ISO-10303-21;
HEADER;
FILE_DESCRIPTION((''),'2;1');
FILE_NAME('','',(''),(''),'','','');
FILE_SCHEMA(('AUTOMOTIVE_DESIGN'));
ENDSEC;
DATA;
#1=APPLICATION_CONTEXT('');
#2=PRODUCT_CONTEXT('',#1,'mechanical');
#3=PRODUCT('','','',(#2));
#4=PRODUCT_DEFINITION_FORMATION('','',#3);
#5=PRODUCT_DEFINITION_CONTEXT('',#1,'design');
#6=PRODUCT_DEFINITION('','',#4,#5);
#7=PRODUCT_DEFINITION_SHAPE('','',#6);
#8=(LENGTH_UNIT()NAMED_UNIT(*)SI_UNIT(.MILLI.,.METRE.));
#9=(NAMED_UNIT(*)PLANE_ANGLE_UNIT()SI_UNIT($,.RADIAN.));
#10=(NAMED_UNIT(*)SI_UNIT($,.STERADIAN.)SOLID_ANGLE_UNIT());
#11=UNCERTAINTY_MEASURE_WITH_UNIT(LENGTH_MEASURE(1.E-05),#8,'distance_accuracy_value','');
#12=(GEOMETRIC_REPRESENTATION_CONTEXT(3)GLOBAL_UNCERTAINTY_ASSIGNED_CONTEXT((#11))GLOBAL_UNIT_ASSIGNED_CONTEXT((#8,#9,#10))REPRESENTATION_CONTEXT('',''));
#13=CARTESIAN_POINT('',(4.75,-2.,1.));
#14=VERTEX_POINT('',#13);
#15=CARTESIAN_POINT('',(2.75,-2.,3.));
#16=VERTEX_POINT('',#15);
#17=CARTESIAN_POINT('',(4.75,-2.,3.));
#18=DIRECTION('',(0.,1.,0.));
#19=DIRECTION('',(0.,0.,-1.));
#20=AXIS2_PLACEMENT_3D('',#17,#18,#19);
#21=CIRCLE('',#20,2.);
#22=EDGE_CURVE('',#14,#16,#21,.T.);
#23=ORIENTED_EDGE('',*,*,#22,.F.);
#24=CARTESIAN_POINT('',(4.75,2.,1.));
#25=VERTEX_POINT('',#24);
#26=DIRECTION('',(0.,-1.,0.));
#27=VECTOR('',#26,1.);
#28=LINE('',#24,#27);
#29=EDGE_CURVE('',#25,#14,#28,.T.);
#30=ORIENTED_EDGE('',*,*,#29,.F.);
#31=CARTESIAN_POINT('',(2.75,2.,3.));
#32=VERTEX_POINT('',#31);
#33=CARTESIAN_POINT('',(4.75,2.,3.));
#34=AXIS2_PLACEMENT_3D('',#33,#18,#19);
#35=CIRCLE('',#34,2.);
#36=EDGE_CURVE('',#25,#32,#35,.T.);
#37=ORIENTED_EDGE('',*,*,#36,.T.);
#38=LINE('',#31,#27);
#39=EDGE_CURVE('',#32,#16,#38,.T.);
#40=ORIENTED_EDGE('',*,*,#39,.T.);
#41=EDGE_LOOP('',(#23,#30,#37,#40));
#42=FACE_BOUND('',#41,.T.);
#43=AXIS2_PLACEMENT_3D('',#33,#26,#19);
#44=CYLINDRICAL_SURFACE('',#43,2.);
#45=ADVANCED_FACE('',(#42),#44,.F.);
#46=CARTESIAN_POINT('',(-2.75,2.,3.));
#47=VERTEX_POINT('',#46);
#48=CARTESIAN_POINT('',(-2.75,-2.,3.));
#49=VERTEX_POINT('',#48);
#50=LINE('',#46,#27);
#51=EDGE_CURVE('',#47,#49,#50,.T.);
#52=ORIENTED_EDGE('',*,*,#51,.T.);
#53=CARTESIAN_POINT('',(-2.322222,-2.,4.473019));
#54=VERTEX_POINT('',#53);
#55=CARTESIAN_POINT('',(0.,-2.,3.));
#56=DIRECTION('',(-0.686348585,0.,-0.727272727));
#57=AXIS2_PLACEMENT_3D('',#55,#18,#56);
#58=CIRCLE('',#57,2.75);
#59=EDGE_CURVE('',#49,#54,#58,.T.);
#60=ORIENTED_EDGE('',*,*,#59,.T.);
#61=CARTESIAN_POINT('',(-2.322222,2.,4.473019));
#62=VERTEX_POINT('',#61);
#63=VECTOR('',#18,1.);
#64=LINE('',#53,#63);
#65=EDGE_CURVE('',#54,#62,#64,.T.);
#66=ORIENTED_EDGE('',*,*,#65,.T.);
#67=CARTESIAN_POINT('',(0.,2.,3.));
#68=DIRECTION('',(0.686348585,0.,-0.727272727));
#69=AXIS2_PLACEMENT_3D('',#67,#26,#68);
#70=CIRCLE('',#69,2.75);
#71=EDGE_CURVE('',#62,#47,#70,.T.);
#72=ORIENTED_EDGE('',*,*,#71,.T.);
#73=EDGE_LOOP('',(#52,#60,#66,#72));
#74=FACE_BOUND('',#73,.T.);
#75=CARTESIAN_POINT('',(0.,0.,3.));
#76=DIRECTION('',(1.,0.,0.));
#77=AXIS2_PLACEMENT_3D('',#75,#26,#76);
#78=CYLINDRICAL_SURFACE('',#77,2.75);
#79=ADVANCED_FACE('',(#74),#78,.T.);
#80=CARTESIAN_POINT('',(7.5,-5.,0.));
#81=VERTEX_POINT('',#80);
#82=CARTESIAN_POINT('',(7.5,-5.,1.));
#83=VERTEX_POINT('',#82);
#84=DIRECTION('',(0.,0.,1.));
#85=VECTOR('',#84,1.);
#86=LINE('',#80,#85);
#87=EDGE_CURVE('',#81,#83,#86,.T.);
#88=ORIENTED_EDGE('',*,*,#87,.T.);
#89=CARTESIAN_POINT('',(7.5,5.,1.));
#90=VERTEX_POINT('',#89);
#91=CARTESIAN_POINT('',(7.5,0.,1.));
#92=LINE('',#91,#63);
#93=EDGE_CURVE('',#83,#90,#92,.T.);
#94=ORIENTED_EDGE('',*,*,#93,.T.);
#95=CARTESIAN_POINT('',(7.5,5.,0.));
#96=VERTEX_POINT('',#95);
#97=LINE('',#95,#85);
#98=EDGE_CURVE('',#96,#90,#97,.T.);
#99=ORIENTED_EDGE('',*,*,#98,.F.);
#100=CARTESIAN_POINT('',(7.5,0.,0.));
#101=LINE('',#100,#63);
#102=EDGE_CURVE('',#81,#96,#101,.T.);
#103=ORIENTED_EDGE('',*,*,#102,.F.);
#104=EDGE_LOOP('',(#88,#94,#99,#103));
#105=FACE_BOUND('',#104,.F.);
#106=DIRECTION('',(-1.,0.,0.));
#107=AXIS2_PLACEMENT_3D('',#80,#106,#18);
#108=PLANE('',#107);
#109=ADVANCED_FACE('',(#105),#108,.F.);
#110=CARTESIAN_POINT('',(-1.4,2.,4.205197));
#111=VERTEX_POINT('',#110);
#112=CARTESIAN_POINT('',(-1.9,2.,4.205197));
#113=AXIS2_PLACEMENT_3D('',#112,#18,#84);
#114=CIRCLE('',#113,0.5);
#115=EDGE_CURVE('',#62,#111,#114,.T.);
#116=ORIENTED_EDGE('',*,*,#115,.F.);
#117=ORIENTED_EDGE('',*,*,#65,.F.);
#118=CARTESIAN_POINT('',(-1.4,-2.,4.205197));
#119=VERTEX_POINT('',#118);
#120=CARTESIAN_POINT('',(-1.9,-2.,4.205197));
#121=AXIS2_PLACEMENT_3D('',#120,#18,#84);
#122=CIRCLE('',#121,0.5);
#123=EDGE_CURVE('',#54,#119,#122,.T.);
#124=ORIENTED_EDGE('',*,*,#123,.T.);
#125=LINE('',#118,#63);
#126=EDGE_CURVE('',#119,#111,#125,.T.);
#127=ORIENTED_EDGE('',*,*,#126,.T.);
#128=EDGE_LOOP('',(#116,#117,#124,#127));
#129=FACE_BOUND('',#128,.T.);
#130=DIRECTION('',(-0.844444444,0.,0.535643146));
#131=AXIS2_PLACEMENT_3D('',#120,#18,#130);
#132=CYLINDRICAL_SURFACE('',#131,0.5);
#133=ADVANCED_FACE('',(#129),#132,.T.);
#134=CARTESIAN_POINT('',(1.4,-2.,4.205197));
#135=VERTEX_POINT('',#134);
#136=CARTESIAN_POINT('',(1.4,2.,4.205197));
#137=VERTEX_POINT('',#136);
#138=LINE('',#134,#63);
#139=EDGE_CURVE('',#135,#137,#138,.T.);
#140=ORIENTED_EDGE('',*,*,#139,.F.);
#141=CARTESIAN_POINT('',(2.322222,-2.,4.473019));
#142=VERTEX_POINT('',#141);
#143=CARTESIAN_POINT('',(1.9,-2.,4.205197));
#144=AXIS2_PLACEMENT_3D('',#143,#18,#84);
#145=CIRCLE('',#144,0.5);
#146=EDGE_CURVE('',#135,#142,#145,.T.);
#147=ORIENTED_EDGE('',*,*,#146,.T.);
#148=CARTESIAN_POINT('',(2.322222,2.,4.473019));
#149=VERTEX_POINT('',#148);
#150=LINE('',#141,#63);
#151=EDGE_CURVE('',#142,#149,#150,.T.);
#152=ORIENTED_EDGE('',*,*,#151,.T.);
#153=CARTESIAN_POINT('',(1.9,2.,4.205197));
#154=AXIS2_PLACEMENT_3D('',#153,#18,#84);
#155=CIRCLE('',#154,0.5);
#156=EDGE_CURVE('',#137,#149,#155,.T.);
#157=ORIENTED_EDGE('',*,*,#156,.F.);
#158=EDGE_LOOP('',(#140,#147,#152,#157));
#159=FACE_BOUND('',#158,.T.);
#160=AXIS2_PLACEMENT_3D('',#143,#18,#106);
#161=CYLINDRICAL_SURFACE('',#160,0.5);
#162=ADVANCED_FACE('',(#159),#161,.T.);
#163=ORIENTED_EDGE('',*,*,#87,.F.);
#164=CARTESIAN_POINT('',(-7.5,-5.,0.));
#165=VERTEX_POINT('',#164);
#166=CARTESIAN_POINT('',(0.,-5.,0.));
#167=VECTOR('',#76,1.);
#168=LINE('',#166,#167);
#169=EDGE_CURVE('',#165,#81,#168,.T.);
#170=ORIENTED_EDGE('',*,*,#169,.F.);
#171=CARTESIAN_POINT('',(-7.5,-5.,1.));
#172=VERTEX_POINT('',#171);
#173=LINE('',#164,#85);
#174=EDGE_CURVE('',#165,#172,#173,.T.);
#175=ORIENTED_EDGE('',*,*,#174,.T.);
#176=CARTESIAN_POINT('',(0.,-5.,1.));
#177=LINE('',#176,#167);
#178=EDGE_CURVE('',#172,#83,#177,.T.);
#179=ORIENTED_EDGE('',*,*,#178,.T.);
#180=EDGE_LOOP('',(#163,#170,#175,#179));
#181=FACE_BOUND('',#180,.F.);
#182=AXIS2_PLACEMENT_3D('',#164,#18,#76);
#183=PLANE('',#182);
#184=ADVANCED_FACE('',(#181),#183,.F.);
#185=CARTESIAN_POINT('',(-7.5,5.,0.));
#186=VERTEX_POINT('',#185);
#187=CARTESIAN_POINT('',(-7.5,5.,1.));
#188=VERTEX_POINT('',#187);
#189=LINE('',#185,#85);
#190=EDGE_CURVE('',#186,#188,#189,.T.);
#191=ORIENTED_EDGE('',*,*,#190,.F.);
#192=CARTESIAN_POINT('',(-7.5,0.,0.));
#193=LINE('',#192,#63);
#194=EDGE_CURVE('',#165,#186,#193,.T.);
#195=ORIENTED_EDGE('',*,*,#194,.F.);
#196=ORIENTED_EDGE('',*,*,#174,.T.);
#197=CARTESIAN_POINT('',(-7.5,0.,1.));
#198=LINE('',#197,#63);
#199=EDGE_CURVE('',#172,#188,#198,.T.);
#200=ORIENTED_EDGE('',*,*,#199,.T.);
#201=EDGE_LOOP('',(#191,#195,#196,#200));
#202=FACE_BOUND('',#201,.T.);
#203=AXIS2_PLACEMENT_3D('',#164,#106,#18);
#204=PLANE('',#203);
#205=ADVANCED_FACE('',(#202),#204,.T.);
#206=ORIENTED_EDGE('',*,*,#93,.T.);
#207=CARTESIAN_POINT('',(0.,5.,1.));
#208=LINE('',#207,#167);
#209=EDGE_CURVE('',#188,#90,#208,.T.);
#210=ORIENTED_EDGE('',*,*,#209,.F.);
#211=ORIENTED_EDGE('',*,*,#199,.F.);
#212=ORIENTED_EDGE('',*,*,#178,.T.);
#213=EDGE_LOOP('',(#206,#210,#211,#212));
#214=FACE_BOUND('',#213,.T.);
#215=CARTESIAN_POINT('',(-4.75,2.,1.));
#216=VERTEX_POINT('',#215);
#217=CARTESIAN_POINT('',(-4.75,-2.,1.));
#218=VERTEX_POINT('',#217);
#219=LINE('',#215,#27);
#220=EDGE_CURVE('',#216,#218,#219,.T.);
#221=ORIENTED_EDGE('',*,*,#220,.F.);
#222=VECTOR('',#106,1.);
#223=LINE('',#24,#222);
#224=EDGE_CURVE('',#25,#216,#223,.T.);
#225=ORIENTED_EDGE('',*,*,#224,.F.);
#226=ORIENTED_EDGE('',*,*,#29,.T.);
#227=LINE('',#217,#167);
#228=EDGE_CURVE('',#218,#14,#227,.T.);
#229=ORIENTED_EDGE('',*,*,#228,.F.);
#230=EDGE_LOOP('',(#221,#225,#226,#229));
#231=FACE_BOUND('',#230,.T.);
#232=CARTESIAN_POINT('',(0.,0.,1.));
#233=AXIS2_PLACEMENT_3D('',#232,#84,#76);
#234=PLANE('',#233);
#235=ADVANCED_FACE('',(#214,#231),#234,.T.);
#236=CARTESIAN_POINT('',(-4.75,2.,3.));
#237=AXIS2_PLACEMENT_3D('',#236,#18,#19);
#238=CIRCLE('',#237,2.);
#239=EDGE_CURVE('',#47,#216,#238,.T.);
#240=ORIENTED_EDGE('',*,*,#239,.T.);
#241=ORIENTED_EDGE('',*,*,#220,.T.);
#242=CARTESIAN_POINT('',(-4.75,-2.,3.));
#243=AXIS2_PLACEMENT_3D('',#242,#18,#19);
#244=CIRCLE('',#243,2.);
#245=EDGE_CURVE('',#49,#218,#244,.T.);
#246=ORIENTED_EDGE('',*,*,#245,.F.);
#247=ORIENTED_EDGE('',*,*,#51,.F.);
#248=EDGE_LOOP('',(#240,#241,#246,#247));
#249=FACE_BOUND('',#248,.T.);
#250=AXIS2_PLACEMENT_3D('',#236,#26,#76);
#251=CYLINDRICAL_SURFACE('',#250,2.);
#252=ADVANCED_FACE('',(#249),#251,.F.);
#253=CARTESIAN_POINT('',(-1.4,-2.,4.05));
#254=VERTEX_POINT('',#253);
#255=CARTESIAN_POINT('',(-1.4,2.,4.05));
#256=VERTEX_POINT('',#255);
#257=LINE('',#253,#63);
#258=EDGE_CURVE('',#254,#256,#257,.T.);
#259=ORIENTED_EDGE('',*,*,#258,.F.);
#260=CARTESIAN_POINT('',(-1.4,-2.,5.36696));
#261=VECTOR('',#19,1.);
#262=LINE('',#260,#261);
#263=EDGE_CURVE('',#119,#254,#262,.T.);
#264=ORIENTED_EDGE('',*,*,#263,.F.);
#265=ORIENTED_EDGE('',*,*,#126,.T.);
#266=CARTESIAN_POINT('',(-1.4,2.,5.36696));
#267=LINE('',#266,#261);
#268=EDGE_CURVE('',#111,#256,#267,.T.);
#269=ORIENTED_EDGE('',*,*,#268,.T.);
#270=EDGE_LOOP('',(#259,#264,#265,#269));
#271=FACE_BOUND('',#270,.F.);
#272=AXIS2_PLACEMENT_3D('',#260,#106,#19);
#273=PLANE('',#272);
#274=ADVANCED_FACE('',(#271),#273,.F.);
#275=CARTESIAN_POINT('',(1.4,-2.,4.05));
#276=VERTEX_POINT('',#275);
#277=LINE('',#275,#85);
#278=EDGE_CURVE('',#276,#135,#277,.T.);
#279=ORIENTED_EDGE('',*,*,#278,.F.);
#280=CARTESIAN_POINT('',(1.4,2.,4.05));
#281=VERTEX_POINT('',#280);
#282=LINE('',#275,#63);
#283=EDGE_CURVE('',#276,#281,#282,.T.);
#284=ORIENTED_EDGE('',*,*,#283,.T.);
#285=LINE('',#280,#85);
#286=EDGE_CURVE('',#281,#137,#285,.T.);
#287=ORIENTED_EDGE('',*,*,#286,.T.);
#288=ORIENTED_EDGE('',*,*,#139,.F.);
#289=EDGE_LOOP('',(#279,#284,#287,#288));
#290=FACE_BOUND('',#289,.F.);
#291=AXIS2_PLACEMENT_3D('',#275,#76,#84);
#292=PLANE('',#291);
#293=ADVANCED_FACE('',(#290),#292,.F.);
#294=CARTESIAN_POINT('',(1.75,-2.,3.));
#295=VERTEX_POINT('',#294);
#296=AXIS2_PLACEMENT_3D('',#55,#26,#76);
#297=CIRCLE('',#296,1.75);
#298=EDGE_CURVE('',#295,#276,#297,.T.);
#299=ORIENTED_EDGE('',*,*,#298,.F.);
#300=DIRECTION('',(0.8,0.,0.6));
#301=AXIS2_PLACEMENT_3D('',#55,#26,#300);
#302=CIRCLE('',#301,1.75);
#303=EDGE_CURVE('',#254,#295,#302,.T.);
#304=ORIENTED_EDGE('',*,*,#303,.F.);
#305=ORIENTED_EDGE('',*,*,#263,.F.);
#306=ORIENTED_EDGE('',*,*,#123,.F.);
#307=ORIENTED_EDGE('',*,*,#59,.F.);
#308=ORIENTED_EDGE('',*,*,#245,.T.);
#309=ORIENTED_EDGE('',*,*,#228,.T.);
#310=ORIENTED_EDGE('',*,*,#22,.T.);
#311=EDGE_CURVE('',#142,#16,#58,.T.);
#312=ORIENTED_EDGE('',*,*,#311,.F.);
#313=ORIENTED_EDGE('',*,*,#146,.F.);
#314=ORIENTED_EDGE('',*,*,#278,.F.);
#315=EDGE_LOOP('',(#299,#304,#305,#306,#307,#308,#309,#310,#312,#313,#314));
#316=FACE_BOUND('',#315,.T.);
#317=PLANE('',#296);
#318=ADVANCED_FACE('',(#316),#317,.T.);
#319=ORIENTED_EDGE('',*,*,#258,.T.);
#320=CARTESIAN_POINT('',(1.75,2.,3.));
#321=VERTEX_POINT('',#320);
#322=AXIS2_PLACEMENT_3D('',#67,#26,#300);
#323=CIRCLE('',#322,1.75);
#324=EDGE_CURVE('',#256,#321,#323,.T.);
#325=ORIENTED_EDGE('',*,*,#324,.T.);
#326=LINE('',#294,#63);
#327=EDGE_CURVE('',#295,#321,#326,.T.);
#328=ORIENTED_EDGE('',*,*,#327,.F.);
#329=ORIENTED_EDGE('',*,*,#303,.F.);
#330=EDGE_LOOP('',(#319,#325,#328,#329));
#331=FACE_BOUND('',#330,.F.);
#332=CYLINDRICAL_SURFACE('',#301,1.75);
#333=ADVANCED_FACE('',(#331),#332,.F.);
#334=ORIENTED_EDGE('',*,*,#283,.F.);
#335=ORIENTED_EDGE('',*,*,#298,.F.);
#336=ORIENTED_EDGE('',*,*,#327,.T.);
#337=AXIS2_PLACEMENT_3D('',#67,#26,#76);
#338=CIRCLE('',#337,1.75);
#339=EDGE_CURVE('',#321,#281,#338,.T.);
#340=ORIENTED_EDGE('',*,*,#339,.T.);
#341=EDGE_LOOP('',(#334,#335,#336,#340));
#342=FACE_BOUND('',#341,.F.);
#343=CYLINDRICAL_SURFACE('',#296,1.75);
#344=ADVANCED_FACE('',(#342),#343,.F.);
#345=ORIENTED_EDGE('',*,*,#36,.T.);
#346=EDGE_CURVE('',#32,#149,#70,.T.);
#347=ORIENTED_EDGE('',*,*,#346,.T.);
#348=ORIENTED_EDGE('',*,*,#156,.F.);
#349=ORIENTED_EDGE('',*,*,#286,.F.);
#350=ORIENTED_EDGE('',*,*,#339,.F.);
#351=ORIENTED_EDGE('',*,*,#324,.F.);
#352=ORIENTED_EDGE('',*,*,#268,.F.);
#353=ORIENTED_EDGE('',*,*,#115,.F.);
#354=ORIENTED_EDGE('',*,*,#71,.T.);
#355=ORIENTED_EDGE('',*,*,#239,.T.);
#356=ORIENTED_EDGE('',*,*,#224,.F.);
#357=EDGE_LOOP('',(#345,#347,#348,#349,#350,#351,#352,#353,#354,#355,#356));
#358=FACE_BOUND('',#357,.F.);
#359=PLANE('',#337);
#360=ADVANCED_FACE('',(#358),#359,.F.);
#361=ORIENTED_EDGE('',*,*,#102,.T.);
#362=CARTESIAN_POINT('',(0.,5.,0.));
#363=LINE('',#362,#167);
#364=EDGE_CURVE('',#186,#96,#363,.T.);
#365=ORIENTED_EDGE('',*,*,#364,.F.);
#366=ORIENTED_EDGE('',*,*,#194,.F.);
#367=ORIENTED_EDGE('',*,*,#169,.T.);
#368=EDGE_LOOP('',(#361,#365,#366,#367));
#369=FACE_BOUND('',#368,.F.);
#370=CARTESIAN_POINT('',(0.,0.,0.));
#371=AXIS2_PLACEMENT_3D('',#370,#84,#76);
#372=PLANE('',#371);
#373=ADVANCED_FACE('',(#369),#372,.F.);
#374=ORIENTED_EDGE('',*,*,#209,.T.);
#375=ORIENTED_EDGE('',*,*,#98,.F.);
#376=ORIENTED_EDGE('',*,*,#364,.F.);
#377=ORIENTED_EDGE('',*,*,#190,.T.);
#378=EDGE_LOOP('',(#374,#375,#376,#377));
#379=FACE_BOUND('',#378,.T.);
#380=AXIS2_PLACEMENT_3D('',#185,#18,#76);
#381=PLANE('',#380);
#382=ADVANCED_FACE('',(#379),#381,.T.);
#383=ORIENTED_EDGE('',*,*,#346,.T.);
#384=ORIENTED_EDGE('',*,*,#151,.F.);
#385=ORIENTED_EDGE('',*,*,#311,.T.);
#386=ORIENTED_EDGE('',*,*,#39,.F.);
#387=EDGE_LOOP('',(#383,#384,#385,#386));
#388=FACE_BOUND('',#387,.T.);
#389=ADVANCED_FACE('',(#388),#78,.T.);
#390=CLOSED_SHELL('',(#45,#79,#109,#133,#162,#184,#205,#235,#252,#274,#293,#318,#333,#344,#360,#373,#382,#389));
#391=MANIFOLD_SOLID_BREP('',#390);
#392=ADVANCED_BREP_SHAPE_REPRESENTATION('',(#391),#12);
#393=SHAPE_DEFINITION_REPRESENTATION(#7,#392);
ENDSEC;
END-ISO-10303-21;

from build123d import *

# Parameters (mm, degrees)
F1_W     = 15
F1_H     = 10
F2_DEPTH = 1
F3_R     = 2.75
F4_DEPTH = 2
F6_DEPTH = 4
F7_R     = 2
F8_R     = 0.5


with BuildPart() as f2:
    # F1 (on Top) → F2 (new body)
    with BuildSketch(Plane.XY):
        Rectangle(F1_W, F1_H)
    extrude(amount=F2_DEPTH)

    # F3 (on Front) → F4 (join, symmetric)
    with BuildSketch(Plane.XZ):
        with Locations((0, 3)):
            Circle(F3_R)
    extrude(amount=F4_DEPTH, both=True)

    # F5 (on face) → F6 (cut, through all)
    with BuildSketch(Plane.XZ.offset(2)):
        with BuildLine():
            ThreePointArc((-1.4, 4.05), (-0.5533985905, 1.3398042284), (1.75, 3))
            ThreePointArc((1.75, 3), (1.6601957716, 3.5533985905), (1.4, 4.05))
            Line((1.4, 4.05), (1.4, 3.103264831))
            Line((1.4, 3.103264831), (-1.4, 3.103264831))
            Line((-1.4, 3.103264831), (-1.4, 4.05))
        make_face()
        with BuildLine():
            Line((1.4, 3.103264831), (1.4, 4.05))
            ThreePointArc((1.4, 4.05), (0, 4.75), (-1.4, 4.05))
            Line((-1.4, 4.05), (-1.4, 3.103264831))
            Line((-1.4, 3.103264831), (1.4, 3.103264831))
        make_face()
        with BuildLine():
            ThreePointArc((-1.4, 4.05), (0, 4.75), (1.4, 4.05))
            Line((1.4, 4.05), (1.4, 5.3669600757))
            ThreePointArc((1.4, 5.3669600757), (0, 5.75), (-1.4, 5.3669600757))
            Line((-1.4, 5.3669600757), (-1.4, 4.05))
        make_face()
    extrude(amount=-F6_DEPTH, mode=Mode.SUBTRACT)

    # F7
    f7_edges = [f2.edges().sort_by_distance(p)[0] for p in [
        (-1.887459, 0, 1),
        (1.887459, 0, 1),
    ]]
    fillet(f7_edges, radius=F7_R)

    # F8
    f8_edges = [f2.edges().sort_by_distance(p)[0] for p in [
        (-1.4, 0, 5.36696),
        (1.4, 0, 5.36696),
    ]]
    fillet(f8_edges, radius=F8_R)


solid = f2.part
